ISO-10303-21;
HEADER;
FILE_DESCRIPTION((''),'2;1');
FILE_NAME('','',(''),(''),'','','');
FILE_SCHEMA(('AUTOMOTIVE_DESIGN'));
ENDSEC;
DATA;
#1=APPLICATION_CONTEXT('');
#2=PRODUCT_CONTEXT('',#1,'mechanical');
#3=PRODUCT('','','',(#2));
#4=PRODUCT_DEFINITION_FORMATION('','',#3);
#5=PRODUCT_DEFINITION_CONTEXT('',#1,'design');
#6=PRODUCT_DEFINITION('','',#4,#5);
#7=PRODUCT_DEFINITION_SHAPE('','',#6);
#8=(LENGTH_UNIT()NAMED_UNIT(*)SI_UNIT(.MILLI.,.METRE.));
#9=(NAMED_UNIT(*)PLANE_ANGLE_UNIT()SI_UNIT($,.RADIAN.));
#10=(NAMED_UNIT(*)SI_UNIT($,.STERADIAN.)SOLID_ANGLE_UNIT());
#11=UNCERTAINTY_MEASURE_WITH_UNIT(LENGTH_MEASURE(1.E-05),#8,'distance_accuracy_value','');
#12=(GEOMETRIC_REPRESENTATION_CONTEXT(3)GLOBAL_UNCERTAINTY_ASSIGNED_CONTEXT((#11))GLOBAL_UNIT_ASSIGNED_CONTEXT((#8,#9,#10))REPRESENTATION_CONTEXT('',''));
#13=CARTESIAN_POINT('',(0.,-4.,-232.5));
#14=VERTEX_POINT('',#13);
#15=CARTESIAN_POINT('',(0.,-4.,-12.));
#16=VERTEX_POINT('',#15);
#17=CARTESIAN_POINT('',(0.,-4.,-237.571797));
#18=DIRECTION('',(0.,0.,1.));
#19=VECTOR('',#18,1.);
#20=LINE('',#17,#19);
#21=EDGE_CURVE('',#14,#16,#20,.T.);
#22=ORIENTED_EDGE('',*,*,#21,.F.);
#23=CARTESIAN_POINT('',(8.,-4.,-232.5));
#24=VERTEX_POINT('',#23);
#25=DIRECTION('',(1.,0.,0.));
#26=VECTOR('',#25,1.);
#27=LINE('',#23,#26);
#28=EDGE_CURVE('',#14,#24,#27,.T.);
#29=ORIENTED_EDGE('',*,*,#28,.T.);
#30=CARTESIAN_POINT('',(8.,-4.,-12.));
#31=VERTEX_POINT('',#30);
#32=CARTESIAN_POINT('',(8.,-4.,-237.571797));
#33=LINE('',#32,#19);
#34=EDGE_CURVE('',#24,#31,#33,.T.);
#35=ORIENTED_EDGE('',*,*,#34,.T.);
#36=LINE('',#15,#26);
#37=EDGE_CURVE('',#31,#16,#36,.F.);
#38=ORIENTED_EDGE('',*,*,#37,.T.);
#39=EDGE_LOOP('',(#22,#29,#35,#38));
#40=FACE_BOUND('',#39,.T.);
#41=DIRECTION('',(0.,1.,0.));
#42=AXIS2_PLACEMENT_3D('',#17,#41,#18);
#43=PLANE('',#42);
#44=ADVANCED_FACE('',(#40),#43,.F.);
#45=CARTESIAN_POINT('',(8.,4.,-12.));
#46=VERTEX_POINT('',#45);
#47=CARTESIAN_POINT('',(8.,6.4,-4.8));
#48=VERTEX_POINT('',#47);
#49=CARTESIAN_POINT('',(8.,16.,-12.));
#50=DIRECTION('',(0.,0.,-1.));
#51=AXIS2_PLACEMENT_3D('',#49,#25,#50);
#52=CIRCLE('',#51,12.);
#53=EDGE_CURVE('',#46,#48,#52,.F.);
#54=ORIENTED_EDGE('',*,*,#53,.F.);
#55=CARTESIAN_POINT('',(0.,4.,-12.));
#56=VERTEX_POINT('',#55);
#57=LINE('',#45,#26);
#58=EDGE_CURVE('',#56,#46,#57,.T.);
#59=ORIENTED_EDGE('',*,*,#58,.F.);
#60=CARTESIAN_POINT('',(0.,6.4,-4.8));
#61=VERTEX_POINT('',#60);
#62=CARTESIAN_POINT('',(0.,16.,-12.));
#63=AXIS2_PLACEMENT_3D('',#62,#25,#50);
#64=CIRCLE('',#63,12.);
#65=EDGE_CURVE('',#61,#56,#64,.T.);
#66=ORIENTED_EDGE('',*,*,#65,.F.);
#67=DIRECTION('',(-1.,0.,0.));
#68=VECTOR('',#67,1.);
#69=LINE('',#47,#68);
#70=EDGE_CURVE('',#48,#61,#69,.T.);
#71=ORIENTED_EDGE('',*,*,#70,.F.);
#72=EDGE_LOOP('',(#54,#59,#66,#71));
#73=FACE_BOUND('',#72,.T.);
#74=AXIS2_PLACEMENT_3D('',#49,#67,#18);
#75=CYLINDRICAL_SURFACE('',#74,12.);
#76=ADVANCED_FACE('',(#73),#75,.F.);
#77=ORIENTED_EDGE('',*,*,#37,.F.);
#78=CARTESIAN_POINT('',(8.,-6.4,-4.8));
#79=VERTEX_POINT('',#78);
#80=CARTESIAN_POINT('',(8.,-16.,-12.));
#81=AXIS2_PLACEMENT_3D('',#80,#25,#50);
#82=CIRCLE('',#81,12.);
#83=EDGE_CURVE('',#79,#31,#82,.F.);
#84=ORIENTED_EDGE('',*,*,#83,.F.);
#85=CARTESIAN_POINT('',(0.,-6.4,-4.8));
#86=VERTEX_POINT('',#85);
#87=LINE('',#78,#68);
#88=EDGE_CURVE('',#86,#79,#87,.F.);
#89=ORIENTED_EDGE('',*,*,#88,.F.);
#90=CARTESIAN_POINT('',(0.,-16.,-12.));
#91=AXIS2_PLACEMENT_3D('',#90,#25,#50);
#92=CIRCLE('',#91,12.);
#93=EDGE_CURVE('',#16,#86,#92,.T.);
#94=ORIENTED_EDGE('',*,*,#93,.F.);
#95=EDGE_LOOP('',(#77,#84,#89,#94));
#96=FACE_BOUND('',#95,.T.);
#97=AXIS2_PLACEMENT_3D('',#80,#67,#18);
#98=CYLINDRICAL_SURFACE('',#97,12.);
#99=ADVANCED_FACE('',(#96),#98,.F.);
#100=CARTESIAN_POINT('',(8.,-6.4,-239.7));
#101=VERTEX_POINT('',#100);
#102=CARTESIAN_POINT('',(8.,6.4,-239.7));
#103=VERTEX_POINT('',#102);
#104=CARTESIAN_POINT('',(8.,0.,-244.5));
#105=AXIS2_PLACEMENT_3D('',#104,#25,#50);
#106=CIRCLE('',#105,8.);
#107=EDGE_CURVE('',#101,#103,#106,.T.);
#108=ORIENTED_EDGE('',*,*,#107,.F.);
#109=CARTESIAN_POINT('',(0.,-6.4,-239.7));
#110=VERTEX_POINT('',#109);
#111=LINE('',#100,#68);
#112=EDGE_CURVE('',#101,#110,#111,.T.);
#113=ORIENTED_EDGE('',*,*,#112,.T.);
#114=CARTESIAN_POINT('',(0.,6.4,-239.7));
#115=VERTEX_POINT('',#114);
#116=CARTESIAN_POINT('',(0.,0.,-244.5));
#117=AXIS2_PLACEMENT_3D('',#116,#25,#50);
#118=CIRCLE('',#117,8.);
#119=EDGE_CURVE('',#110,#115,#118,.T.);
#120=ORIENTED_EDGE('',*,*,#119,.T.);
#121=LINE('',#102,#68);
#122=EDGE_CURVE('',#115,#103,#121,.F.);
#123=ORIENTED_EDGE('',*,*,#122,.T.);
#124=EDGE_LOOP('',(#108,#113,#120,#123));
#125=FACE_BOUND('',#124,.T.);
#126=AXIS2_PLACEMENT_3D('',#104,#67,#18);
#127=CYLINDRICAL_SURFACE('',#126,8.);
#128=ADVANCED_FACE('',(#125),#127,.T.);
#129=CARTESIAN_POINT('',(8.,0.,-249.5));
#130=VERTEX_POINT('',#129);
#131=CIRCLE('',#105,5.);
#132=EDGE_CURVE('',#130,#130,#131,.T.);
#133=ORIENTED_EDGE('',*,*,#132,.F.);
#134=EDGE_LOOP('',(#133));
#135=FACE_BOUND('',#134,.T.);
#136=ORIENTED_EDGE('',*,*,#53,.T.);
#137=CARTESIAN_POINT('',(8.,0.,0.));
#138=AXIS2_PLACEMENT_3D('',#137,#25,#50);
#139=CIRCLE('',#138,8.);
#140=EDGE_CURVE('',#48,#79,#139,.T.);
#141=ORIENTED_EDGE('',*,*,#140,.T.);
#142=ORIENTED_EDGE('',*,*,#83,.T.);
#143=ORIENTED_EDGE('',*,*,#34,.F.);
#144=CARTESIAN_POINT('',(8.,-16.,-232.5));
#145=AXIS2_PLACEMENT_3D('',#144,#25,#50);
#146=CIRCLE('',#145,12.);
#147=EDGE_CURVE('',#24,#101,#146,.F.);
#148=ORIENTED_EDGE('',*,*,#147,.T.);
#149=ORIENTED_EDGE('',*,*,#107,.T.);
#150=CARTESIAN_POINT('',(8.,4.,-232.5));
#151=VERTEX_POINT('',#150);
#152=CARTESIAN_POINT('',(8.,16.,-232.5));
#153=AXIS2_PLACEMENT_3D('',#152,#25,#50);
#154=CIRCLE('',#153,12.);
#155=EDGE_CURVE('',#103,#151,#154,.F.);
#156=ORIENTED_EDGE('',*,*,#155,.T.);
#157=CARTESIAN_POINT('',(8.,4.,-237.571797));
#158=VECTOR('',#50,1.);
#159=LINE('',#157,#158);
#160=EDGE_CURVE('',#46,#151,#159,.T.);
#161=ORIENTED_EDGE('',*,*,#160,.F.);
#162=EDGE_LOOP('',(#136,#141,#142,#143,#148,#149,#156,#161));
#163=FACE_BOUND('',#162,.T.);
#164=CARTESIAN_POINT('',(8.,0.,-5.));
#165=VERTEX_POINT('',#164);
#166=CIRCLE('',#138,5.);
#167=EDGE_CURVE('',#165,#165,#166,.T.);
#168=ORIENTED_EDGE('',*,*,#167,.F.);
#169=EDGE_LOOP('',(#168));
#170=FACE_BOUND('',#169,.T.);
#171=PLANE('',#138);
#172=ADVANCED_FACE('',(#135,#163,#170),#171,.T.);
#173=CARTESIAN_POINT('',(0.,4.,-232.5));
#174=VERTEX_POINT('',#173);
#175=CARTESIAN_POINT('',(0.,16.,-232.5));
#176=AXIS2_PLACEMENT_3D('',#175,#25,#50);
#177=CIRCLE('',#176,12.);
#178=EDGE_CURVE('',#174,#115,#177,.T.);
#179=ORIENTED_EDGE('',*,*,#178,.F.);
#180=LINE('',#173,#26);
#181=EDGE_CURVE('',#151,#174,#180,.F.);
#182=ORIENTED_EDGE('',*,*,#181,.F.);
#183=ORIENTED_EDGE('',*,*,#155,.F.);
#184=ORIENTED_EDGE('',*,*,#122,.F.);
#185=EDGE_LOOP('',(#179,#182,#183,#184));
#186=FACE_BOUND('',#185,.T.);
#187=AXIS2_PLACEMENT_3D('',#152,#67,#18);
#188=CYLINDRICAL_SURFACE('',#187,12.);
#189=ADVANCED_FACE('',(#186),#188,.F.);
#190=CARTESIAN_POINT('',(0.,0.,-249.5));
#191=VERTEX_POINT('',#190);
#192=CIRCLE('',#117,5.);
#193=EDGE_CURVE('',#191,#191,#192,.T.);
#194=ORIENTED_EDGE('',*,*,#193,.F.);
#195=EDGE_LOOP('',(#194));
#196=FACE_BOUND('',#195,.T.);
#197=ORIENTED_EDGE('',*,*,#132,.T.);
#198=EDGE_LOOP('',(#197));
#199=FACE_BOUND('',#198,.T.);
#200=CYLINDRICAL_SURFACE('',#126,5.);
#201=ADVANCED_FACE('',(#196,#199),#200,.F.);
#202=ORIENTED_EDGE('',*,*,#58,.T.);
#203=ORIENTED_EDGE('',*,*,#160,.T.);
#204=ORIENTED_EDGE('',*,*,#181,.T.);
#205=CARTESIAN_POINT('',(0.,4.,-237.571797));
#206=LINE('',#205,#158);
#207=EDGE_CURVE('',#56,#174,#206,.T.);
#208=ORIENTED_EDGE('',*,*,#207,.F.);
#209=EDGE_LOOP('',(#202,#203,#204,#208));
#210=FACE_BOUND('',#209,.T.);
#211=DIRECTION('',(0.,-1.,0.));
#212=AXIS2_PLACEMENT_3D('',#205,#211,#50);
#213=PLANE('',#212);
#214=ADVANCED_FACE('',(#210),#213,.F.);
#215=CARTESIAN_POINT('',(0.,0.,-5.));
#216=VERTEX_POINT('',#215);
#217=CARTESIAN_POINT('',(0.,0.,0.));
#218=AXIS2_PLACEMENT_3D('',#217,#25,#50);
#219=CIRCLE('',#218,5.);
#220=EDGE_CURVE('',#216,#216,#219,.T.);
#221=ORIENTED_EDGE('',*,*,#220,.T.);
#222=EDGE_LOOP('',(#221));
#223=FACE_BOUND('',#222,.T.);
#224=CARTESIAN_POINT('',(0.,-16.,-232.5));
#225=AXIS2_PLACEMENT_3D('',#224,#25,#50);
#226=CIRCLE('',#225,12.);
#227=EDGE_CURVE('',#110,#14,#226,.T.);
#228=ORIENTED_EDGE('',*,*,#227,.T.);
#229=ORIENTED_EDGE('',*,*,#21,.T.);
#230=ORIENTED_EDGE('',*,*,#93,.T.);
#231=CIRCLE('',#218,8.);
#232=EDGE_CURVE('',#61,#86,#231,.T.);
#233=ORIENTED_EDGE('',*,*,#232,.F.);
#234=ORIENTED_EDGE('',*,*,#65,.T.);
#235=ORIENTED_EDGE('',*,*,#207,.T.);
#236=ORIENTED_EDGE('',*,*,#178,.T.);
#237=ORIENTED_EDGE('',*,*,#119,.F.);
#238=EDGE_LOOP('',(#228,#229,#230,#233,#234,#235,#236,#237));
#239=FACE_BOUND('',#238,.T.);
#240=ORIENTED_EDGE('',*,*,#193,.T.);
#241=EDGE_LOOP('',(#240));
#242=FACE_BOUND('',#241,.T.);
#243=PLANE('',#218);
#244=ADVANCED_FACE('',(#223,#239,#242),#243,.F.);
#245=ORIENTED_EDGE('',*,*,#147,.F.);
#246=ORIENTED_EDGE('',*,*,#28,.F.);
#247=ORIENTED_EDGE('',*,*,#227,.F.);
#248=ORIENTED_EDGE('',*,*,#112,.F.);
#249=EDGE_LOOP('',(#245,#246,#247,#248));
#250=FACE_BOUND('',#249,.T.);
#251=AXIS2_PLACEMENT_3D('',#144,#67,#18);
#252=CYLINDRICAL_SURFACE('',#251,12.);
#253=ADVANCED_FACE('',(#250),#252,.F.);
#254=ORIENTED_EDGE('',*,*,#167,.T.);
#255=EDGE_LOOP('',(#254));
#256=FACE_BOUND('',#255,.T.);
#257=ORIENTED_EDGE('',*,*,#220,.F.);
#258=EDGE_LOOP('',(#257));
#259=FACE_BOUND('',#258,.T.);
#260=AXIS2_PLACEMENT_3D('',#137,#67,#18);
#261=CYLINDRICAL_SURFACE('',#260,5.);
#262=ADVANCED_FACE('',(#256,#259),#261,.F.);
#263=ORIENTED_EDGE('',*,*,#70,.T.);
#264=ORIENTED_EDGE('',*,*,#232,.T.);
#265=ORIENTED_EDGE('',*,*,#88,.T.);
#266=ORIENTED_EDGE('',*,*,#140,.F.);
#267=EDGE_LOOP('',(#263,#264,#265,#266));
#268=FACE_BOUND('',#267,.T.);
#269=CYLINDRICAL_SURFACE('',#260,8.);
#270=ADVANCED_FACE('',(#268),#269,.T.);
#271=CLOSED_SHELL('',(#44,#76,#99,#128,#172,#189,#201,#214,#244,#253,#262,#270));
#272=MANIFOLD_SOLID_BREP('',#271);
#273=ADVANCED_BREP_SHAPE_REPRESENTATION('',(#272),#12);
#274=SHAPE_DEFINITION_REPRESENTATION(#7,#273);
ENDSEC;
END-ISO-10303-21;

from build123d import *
from build123d.topology import SkipClean

# Parameters (mm, degrees)
SKETCH_1_R          = 5
EXTRUDE_1_DEPTH     = 8
CUT_EXTRUDE_1_DEPTH = 253.753338257
FILLET_1_R          = 12


with BuildPart() as part:
    # 草图1 → 凸台-拉伸1 (new body)
    with BuildSketch(Plane(origin=(0, 0, 0), x_dir=(0, 0, -1), z_dir=(1, 0, 0))):
        with BuildLine():
            Line((0, 8), (244.5, 8))
            ThreePointArc((244.5, 8), (252.5, 0), (244.5, -8))
            Line((244.5, -8), (0, -8))
            ThreePointArc((0, -8), (-8, 0), (0, 8))
        make_face()
        with Locations((244.5, 0)):
            Circle(SKETCH_1_R, mode=Mode.SUBTRACT)
        Circle(SKETCH_1_R, mode=Mode.SUBTRACT)
    extrude(amount=EXTRUDE_1_DEPTH)

    # 草图2 → 切除-拉伸1 (cut, through all)
    with SkipClean():  # the faces are left unmerged after this step: merging them gives an invalid solid
        with BuildSketch(Plane(origin=(8, 0, 0), x_dir=(0, 0, -1), z_dir=(1, 0, 0))):
            with BuildLine():
                Line((237.57179677, -4), (6.92820323, -4))
                ThreePointArc((6.92820323, -4), (4, -6.92820323), (0, -8))
                Line((0, -8), (244.5, -8))
                ThreePointArc((244.5, -8), (240.5, -6.92820323), (237.57179677, -4))
            make_face()
            with BuildLine():
                Line((237.57179677, 4), (6.92820323, 4))
                ThreePointArc((6.92820323, 4), (4, 6.92820323), (0, 8))
                Line((0, 8), (244.5, 8))
                ThreePointArc((244.5, 8), (240.5, 6.92820323), (237.57179677, 4))
            make_face()
        extrude(amount=-CUT_EXTRUDE_1_DEPTH, mode=Mode.SUBTRACT)

    # 圆角1
    fillet_1_edges = [part.edges().sort_by_distance(p)[0] for p in [
        (4, -4, -6.92820323),
        (4, -4, -237.57179677),
        (4, 4, -237.57179677),
        (4, 4, -6.92820323),
    ]]
    fillet(fillet_1_edges, radius=FILLET_1_R)


with BuildPart() as part_1:
    # Move Body 5: moved
    add(part.part.moved(Location((0, 0, 244.5))))


with BuildPart() as part_2:
    # Move Body 3: moved
    add(part_1.part.moved(Location((0, 0, -244.5))))


solid = part_2.part
